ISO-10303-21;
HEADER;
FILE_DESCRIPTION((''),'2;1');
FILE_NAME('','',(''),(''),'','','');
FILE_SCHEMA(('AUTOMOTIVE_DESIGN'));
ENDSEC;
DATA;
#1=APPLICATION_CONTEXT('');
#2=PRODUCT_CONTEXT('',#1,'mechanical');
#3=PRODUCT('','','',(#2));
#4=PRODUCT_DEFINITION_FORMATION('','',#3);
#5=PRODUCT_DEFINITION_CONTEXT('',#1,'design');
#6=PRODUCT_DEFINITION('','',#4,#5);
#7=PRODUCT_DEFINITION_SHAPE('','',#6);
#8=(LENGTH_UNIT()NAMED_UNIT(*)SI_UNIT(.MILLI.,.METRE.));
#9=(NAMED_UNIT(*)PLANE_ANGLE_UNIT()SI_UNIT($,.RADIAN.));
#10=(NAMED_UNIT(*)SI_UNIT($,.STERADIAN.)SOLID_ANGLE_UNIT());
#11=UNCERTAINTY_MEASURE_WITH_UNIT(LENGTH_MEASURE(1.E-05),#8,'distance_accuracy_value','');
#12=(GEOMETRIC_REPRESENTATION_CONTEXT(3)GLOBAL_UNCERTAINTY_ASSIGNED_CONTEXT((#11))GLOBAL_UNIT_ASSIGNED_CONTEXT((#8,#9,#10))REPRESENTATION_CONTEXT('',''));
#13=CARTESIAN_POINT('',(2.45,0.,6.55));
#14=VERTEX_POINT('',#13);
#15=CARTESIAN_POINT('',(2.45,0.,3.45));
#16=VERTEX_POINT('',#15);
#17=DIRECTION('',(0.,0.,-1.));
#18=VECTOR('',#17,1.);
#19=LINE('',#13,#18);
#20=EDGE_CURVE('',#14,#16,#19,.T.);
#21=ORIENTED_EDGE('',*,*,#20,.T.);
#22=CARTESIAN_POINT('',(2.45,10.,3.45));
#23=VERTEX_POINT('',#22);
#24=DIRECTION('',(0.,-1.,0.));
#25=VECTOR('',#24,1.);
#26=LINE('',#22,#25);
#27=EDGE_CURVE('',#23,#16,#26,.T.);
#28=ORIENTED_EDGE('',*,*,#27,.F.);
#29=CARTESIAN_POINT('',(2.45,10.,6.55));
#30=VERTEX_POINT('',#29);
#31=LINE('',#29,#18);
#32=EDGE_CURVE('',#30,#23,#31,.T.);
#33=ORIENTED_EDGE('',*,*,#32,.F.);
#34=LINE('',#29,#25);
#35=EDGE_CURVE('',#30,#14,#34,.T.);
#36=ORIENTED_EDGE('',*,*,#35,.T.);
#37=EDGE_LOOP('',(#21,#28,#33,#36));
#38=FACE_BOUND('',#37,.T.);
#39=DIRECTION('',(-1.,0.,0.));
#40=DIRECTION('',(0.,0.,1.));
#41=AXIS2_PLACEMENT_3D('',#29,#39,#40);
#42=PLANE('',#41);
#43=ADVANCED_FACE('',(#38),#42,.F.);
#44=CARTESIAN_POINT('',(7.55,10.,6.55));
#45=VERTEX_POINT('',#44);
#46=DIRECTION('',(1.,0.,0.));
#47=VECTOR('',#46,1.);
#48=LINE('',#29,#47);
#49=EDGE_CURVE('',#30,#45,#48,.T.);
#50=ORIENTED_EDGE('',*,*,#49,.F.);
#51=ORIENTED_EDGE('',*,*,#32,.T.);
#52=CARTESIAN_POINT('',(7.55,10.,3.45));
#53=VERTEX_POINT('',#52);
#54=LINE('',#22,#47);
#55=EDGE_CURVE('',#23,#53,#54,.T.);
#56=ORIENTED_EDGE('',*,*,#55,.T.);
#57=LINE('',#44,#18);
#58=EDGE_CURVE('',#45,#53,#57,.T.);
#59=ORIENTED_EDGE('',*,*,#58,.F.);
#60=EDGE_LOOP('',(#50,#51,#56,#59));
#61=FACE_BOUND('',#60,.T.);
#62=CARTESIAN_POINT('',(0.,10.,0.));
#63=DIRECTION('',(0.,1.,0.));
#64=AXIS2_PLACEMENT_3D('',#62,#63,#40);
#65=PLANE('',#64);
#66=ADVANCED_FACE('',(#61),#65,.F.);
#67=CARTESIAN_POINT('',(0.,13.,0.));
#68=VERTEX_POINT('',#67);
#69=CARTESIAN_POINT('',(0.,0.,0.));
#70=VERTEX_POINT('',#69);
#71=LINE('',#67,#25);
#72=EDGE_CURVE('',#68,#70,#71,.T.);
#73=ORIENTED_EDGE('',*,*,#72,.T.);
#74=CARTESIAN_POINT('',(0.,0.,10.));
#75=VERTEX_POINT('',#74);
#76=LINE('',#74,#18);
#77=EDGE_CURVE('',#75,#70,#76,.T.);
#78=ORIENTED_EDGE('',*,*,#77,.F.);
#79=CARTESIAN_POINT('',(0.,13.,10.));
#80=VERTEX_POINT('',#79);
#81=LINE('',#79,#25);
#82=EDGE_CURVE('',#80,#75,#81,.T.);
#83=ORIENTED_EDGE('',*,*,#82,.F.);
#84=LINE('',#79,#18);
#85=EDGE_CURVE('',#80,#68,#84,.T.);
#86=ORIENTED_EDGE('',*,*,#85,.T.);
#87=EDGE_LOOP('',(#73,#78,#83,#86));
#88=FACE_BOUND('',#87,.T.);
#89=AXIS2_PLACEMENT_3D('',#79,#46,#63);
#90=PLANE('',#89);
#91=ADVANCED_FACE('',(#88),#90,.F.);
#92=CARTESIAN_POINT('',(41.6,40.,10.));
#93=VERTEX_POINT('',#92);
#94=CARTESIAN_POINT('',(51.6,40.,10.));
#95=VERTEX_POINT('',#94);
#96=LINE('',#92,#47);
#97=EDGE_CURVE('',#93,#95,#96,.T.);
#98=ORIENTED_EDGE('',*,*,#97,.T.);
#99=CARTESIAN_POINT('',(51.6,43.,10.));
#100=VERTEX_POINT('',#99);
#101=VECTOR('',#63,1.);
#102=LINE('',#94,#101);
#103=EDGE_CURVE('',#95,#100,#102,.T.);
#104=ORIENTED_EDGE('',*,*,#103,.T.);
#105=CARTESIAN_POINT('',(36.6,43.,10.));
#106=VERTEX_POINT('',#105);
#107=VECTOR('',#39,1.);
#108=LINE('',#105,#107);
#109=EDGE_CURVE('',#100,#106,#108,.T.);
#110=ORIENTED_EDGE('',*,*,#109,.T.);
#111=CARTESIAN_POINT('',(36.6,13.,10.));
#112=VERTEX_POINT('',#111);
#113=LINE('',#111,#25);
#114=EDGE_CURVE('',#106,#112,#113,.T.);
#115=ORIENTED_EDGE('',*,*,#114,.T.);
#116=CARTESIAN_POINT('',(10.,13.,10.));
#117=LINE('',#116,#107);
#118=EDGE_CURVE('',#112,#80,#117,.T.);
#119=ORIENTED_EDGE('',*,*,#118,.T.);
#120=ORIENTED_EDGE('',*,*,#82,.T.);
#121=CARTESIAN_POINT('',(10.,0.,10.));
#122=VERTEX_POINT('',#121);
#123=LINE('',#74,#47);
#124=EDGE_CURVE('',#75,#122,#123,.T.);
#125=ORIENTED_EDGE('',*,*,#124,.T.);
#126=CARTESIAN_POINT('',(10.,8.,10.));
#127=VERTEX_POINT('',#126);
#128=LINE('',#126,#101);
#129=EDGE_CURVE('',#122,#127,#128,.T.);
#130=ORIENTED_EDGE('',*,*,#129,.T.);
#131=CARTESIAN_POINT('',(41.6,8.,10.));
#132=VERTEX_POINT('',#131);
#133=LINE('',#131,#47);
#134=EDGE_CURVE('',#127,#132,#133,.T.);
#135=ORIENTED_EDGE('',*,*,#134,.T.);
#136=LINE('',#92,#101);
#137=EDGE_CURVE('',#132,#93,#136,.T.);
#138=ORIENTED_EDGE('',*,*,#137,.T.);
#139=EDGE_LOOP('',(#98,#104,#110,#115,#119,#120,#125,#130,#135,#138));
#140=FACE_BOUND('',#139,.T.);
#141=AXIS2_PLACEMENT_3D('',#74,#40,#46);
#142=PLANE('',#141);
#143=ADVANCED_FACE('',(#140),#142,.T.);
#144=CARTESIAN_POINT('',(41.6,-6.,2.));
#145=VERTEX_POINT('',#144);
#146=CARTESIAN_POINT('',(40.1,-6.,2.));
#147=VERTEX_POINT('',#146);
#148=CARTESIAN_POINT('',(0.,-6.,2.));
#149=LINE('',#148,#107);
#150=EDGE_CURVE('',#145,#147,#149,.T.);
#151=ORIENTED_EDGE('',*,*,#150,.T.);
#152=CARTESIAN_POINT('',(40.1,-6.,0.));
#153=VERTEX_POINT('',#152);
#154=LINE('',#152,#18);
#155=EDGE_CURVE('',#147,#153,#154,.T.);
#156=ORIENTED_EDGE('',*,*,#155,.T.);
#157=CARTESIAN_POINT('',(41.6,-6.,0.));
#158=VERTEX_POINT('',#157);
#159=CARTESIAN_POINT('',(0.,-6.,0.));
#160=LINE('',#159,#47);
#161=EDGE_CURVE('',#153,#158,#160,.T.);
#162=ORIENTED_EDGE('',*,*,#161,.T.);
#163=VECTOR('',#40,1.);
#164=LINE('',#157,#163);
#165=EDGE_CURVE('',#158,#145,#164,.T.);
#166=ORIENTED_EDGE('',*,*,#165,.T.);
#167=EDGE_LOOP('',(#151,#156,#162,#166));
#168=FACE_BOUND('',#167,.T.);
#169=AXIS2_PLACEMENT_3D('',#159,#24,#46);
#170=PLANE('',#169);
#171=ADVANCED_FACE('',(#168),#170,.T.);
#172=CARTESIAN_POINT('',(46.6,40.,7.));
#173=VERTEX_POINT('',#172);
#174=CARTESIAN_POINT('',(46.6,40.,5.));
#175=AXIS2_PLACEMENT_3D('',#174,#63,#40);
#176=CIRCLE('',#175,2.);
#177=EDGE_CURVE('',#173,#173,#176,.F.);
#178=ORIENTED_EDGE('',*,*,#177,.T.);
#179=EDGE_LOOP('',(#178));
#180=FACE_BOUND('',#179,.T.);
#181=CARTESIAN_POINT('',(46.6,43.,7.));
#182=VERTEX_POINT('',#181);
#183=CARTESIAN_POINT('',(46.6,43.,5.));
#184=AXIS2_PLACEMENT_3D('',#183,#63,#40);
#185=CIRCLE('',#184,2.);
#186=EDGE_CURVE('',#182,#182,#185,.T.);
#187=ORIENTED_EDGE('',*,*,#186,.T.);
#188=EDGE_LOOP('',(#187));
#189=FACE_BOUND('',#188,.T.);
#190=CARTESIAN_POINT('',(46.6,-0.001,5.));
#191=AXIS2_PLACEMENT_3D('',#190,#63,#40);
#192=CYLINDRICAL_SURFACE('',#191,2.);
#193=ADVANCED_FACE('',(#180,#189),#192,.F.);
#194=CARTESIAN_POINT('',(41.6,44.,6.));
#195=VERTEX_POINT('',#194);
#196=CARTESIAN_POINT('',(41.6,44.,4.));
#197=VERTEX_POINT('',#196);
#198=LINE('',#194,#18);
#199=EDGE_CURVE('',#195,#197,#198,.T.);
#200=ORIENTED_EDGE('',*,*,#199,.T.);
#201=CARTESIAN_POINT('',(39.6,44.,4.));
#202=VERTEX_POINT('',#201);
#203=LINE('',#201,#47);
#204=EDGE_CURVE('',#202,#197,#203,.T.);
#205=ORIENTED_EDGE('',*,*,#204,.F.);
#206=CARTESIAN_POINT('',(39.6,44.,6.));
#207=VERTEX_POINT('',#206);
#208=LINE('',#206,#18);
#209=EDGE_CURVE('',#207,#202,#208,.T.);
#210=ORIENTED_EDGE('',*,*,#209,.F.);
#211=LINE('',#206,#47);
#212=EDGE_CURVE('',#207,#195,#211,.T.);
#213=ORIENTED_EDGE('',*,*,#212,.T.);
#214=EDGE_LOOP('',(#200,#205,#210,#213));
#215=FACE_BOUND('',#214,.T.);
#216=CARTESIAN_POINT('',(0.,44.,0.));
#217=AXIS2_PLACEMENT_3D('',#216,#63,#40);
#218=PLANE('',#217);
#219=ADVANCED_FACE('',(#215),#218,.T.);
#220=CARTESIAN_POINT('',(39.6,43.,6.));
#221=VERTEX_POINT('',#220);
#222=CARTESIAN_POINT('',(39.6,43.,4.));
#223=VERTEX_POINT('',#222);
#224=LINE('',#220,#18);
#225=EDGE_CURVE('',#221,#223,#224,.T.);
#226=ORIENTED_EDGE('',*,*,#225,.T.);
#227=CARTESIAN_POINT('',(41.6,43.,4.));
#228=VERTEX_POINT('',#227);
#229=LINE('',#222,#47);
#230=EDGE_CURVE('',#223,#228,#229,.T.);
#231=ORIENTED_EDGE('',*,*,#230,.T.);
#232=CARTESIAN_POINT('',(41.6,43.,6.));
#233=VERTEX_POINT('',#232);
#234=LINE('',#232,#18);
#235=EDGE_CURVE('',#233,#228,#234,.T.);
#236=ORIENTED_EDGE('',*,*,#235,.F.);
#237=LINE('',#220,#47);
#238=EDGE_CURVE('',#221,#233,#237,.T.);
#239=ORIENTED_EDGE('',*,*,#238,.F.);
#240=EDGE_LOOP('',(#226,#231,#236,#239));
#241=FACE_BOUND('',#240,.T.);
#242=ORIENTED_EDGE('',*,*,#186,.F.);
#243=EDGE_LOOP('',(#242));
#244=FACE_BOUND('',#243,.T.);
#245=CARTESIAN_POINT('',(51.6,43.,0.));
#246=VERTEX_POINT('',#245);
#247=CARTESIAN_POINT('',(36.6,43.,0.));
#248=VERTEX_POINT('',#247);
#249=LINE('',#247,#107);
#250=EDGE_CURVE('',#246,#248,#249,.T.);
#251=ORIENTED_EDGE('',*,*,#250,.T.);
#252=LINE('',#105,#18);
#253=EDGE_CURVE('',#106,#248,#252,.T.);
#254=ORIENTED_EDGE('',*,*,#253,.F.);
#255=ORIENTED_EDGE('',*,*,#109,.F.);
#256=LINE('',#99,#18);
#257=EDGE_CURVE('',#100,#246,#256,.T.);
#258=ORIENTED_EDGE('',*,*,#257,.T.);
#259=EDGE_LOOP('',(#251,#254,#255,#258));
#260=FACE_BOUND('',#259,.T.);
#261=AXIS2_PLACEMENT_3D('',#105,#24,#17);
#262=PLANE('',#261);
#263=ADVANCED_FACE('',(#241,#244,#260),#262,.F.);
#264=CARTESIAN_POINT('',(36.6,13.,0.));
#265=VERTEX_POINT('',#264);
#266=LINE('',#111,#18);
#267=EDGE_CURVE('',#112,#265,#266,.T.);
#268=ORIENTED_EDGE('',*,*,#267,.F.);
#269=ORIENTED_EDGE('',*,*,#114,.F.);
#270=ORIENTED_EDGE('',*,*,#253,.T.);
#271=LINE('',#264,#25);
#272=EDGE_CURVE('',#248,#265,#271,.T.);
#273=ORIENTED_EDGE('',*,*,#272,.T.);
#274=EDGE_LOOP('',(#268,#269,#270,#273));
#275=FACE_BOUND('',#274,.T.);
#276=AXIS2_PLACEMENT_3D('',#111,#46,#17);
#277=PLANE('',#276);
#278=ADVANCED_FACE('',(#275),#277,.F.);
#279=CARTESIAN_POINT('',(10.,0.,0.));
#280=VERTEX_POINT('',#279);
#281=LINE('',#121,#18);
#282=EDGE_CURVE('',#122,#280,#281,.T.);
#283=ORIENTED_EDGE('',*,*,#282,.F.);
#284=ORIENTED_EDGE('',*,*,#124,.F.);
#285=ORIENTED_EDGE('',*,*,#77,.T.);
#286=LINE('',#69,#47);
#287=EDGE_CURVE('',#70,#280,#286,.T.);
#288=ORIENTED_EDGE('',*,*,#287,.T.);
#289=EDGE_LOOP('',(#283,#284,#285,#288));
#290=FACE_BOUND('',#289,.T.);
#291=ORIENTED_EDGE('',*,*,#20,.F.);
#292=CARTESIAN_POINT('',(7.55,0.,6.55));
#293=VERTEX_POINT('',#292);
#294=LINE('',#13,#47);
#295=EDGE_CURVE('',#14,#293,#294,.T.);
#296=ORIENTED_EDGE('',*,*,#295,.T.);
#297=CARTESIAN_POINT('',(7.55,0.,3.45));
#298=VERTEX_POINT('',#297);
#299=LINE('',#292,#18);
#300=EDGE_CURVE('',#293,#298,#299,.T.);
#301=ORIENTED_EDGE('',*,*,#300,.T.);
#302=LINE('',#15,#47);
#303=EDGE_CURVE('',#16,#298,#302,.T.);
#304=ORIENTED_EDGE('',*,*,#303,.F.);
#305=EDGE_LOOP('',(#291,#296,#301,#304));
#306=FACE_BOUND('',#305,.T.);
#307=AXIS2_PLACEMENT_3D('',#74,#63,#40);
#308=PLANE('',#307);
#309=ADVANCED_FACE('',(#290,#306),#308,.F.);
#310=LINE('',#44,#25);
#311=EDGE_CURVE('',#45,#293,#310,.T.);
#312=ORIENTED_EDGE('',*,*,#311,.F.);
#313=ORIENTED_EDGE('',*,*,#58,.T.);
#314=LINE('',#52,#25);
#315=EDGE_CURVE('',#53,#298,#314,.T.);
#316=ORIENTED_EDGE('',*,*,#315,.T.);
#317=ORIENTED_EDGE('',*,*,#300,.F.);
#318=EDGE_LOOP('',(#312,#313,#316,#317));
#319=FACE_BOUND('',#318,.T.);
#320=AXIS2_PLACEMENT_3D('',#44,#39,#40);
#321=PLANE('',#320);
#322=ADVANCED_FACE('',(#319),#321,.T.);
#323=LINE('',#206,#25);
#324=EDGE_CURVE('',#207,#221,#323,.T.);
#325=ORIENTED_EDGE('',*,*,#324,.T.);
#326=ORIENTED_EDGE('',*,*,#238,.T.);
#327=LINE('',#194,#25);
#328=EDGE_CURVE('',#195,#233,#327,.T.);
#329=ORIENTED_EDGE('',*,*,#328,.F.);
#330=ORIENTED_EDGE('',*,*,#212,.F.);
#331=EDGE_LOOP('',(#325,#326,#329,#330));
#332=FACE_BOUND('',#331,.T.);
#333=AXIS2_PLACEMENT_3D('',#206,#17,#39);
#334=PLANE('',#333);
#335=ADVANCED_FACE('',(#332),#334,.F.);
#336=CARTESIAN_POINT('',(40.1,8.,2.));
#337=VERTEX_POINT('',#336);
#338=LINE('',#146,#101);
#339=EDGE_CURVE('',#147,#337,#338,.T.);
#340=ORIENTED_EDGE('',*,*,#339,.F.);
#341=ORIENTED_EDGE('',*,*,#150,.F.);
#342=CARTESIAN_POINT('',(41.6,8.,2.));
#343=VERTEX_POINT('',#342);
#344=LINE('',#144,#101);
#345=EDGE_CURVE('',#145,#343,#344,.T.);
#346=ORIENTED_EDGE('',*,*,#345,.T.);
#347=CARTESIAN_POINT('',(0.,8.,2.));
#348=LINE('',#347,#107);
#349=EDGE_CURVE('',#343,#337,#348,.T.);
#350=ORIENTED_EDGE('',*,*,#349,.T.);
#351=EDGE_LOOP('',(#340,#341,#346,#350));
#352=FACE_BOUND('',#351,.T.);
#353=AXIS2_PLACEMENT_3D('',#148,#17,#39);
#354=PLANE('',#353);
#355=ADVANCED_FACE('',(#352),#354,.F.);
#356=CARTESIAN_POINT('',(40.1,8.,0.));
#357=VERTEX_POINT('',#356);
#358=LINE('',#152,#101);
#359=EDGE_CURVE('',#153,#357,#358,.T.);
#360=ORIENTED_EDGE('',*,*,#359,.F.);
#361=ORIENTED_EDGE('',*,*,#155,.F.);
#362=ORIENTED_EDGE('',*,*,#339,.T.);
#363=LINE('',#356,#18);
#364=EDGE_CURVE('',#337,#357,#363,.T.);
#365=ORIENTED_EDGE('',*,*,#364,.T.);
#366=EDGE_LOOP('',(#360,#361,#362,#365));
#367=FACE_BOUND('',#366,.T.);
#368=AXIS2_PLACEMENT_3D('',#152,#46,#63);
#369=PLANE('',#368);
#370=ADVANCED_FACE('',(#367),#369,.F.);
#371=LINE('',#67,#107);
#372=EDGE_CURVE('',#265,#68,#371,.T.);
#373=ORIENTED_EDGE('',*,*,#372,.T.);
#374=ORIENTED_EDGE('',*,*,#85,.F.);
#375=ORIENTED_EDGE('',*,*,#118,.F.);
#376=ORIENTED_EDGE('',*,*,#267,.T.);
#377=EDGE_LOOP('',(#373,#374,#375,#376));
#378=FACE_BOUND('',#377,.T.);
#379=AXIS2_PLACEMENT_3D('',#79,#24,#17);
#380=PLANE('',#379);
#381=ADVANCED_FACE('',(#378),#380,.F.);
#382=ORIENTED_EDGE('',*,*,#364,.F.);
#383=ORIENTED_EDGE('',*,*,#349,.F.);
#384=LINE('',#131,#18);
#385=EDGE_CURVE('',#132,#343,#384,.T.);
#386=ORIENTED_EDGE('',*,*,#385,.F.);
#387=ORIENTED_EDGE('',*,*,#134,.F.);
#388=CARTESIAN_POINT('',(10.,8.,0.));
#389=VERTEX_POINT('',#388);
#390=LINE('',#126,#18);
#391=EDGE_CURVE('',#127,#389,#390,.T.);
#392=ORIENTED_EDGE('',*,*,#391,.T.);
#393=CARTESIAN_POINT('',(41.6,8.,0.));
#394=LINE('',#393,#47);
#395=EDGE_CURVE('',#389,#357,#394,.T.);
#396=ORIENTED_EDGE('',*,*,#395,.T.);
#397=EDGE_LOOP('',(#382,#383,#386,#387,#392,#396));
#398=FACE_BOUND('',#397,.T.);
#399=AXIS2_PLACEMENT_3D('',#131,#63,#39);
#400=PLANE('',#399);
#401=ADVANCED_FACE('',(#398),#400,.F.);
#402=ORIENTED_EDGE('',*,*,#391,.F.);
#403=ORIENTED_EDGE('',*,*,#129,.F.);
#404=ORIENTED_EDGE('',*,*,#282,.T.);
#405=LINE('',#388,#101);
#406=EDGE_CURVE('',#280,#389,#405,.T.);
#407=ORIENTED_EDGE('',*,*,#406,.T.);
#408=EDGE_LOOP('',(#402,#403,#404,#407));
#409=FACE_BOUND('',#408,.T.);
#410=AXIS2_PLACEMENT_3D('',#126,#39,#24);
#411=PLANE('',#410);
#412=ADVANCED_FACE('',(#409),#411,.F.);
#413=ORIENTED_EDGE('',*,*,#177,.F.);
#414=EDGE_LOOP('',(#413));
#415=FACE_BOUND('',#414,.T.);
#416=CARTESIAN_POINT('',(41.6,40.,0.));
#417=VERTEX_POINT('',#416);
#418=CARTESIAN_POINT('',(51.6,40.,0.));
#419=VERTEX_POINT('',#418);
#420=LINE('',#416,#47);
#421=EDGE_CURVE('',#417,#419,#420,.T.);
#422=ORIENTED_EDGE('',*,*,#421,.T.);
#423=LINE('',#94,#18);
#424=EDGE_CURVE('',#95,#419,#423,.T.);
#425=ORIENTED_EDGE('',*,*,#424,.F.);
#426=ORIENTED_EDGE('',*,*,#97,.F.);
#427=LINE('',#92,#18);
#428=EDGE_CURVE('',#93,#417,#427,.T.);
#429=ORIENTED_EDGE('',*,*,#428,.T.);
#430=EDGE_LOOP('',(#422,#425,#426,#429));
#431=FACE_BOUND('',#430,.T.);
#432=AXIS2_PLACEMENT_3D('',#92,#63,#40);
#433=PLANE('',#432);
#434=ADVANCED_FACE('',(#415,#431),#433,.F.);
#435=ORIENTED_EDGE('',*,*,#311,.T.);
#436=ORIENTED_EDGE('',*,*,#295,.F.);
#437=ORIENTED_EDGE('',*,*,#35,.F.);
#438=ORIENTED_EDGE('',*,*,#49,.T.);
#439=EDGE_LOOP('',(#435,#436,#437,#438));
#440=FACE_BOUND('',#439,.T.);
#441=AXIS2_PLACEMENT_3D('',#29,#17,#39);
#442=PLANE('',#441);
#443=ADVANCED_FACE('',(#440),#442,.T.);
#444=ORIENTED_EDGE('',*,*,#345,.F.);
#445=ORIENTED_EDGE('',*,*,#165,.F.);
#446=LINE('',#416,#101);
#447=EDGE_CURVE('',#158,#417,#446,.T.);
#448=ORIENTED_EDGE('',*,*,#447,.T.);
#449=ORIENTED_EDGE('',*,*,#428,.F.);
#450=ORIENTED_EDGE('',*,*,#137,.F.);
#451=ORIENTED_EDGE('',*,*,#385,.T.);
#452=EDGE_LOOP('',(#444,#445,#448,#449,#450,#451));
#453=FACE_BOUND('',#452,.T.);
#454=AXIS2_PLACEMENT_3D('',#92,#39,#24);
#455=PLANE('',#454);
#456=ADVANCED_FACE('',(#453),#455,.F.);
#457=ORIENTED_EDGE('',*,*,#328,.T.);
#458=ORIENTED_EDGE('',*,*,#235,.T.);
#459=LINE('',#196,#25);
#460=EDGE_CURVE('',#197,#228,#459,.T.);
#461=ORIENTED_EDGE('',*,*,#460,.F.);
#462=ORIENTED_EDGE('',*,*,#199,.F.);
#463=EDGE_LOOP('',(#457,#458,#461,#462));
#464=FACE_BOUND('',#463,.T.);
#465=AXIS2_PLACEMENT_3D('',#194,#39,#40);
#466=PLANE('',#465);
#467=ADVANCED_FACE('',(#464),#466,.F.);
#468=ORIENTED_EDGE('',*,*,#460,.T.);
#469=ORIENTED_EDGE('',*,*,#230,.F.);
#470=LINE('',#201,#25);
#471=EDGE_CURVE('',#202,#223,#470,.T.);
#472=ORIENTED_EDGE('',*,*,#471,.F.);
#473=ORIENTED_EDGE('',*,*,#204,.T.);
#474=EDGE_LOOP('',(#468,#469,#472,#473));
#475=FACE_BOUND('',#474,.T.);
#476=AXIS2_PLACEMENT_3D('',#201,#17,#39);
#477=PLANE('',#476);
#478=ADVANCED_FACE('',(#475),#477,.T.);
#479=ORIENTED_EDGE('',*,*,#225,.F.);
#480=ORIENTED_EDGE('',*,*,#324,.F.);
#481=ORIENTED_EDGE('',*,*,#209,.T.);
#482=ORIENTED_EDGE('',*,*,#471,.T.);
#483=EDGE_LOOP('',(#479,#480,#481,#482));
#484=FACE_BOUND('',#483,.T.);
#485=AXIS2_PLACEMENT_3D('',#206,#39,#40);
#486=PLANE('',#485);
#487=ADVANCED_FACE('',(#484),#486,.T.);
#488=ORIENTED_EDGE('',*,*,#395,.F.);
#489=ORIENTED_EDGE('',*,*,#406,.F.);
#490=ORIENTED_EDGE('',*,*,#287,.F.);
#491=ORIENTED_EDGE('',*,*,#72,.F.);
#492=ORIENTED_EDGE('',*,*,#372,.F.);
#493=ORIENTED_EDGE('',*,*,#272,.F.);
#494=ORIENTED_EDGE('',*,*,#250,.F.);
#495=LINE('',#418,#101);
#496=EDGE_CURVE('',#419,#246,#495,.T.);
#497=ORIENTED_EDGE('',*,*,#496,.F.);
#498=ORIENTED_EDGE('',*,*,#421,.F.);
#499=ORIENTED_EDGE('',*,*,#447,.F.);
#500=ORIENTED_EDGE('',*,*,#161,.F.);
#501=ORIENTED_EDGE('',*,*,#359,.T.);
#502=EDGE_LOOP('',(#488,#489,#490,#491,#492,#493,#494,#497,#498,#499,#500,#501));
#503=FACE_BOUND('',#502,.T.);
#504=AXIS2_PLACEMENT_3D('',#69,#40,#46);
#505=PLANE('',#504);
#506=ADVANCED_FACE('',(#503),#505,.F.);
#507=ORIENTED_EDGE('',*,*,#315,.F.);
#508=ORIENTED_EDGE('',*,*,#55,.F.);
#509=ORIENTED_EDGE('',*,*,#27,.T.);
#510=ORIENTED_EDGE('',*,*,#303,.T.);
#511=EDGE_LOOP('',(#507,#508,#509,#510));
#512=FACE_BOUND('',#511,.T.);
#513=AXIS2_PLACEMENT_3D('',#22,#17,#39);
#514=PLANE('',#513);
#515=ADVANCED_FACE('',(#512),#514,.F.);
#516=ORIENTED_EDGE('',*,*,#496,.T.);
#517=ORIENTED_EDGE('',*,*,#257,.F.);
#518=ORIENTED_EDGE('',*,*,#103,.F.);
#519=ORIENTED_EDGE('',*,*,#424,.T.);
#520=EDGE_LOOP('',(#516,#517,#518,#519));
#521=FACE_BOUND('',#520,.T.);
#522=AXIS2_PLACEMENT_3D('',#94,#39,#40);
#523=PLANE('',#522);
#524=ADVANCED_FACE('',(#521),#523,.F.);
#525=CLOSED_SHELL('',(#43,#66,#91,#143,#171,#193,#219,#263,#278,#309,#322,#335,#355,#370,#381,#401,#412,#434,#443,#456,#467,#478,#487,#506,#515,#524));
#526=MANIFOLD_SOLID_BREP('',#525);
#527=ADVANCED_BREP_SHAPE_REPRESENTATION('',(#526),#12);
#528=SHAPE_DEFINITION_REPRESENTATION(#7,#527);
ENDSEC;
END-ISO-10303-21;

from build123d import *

# Parameters (mm, degrees)
BOSS_EXTRUDE1_DEPTH = 10
SKETCH2_W           = 5.1
SKETCH2_H           = 3.1
CUT_EXTRUDE1_DEPTH  = 10
SKETCH3_W           = 2
SKETCH3_H           = 2
BOSS_EXTRUDE2_DEPTH = 1
CUT_EXTRUDE4_REACH  = 69.908
SKETCH11_R          = 2
SKETCH12_W          = 1.5
SKETCH12_H          = 2
BOSS_EXTRUDE4_DEPTH = 14


with BuildPart() as part:
    # Sketch1 → Boss-Extrude1 (new body)
    with BuildSketch(Plane.XY):
        Polygon((10, 13), (36.6, 13), (36.6, 43), (51.6, 43), (51.6, 40), (41.6, 40), (41.6, 8), (10, 8), (10, 0), (0, 0), (0, 13), align=None)
    extrude(amount=BOSS_EXTRUDE1_DEPTH)

    # Sketch2 → Cut-Extrude1 (cut)
    with BuildSketch(Plane.XZ):
        with Locations((5, 5)):
            Rectangle(SKETCH2_W, SKETCH2_H)
    extrude(amount=-CUT_EXTRUDE1_DEPTH, mode=Mode.SUBTRACT)

    # Sketch3 → Boss-Extrude2 (add)
    with BuildSketch(Plane(origin=(0, 43, 0), x_dir=(1, 0, 0), z_dir=(0, 1, 0))):
        with Locations((40.6, -5)):
            Rectangle(SKETCH3_W, SKETCH3_H)
    extrude(amount=BOSS_EXTRUDE2_DEPTH)

    # Sketch11 → Cut-Extrude4 (cut, up to next)
    with BuildSketch(Plane(origin=(0, 43, 0), x_dir=(1, 0, 0), z_dir=(0, 1, 0)), mode=Mode.PRIVATE) as cut_extrude4_sk1:
        with Locations(Location((46.6, -5, 0), (0, 0, 270))):
            Circle(SKETCH11_R)
    cut_extrude4_tool1 = extrude(cut_extrude4_sk1.sketch, amount=-CUT_EXTRUDE4_REACH, mode=Mode.PRIVATE) & part.part
    add(cut_extrude4_tool1.solids().sort_by_distance((46.6, 43, 5))[0], mode=Mode.SUBTRACT)

    # Sketch12 → Boss-Extrude4 (add)
    with BuildSketch(Plane.XZ.offset(-8)):
        with Locations((40.85, 1)):
            Rectangle(SKETCH12_W, SKETCH12_H)
    extrude(amount=BOSS_EXTRUDE4_DEPTH)


solid = part.part
